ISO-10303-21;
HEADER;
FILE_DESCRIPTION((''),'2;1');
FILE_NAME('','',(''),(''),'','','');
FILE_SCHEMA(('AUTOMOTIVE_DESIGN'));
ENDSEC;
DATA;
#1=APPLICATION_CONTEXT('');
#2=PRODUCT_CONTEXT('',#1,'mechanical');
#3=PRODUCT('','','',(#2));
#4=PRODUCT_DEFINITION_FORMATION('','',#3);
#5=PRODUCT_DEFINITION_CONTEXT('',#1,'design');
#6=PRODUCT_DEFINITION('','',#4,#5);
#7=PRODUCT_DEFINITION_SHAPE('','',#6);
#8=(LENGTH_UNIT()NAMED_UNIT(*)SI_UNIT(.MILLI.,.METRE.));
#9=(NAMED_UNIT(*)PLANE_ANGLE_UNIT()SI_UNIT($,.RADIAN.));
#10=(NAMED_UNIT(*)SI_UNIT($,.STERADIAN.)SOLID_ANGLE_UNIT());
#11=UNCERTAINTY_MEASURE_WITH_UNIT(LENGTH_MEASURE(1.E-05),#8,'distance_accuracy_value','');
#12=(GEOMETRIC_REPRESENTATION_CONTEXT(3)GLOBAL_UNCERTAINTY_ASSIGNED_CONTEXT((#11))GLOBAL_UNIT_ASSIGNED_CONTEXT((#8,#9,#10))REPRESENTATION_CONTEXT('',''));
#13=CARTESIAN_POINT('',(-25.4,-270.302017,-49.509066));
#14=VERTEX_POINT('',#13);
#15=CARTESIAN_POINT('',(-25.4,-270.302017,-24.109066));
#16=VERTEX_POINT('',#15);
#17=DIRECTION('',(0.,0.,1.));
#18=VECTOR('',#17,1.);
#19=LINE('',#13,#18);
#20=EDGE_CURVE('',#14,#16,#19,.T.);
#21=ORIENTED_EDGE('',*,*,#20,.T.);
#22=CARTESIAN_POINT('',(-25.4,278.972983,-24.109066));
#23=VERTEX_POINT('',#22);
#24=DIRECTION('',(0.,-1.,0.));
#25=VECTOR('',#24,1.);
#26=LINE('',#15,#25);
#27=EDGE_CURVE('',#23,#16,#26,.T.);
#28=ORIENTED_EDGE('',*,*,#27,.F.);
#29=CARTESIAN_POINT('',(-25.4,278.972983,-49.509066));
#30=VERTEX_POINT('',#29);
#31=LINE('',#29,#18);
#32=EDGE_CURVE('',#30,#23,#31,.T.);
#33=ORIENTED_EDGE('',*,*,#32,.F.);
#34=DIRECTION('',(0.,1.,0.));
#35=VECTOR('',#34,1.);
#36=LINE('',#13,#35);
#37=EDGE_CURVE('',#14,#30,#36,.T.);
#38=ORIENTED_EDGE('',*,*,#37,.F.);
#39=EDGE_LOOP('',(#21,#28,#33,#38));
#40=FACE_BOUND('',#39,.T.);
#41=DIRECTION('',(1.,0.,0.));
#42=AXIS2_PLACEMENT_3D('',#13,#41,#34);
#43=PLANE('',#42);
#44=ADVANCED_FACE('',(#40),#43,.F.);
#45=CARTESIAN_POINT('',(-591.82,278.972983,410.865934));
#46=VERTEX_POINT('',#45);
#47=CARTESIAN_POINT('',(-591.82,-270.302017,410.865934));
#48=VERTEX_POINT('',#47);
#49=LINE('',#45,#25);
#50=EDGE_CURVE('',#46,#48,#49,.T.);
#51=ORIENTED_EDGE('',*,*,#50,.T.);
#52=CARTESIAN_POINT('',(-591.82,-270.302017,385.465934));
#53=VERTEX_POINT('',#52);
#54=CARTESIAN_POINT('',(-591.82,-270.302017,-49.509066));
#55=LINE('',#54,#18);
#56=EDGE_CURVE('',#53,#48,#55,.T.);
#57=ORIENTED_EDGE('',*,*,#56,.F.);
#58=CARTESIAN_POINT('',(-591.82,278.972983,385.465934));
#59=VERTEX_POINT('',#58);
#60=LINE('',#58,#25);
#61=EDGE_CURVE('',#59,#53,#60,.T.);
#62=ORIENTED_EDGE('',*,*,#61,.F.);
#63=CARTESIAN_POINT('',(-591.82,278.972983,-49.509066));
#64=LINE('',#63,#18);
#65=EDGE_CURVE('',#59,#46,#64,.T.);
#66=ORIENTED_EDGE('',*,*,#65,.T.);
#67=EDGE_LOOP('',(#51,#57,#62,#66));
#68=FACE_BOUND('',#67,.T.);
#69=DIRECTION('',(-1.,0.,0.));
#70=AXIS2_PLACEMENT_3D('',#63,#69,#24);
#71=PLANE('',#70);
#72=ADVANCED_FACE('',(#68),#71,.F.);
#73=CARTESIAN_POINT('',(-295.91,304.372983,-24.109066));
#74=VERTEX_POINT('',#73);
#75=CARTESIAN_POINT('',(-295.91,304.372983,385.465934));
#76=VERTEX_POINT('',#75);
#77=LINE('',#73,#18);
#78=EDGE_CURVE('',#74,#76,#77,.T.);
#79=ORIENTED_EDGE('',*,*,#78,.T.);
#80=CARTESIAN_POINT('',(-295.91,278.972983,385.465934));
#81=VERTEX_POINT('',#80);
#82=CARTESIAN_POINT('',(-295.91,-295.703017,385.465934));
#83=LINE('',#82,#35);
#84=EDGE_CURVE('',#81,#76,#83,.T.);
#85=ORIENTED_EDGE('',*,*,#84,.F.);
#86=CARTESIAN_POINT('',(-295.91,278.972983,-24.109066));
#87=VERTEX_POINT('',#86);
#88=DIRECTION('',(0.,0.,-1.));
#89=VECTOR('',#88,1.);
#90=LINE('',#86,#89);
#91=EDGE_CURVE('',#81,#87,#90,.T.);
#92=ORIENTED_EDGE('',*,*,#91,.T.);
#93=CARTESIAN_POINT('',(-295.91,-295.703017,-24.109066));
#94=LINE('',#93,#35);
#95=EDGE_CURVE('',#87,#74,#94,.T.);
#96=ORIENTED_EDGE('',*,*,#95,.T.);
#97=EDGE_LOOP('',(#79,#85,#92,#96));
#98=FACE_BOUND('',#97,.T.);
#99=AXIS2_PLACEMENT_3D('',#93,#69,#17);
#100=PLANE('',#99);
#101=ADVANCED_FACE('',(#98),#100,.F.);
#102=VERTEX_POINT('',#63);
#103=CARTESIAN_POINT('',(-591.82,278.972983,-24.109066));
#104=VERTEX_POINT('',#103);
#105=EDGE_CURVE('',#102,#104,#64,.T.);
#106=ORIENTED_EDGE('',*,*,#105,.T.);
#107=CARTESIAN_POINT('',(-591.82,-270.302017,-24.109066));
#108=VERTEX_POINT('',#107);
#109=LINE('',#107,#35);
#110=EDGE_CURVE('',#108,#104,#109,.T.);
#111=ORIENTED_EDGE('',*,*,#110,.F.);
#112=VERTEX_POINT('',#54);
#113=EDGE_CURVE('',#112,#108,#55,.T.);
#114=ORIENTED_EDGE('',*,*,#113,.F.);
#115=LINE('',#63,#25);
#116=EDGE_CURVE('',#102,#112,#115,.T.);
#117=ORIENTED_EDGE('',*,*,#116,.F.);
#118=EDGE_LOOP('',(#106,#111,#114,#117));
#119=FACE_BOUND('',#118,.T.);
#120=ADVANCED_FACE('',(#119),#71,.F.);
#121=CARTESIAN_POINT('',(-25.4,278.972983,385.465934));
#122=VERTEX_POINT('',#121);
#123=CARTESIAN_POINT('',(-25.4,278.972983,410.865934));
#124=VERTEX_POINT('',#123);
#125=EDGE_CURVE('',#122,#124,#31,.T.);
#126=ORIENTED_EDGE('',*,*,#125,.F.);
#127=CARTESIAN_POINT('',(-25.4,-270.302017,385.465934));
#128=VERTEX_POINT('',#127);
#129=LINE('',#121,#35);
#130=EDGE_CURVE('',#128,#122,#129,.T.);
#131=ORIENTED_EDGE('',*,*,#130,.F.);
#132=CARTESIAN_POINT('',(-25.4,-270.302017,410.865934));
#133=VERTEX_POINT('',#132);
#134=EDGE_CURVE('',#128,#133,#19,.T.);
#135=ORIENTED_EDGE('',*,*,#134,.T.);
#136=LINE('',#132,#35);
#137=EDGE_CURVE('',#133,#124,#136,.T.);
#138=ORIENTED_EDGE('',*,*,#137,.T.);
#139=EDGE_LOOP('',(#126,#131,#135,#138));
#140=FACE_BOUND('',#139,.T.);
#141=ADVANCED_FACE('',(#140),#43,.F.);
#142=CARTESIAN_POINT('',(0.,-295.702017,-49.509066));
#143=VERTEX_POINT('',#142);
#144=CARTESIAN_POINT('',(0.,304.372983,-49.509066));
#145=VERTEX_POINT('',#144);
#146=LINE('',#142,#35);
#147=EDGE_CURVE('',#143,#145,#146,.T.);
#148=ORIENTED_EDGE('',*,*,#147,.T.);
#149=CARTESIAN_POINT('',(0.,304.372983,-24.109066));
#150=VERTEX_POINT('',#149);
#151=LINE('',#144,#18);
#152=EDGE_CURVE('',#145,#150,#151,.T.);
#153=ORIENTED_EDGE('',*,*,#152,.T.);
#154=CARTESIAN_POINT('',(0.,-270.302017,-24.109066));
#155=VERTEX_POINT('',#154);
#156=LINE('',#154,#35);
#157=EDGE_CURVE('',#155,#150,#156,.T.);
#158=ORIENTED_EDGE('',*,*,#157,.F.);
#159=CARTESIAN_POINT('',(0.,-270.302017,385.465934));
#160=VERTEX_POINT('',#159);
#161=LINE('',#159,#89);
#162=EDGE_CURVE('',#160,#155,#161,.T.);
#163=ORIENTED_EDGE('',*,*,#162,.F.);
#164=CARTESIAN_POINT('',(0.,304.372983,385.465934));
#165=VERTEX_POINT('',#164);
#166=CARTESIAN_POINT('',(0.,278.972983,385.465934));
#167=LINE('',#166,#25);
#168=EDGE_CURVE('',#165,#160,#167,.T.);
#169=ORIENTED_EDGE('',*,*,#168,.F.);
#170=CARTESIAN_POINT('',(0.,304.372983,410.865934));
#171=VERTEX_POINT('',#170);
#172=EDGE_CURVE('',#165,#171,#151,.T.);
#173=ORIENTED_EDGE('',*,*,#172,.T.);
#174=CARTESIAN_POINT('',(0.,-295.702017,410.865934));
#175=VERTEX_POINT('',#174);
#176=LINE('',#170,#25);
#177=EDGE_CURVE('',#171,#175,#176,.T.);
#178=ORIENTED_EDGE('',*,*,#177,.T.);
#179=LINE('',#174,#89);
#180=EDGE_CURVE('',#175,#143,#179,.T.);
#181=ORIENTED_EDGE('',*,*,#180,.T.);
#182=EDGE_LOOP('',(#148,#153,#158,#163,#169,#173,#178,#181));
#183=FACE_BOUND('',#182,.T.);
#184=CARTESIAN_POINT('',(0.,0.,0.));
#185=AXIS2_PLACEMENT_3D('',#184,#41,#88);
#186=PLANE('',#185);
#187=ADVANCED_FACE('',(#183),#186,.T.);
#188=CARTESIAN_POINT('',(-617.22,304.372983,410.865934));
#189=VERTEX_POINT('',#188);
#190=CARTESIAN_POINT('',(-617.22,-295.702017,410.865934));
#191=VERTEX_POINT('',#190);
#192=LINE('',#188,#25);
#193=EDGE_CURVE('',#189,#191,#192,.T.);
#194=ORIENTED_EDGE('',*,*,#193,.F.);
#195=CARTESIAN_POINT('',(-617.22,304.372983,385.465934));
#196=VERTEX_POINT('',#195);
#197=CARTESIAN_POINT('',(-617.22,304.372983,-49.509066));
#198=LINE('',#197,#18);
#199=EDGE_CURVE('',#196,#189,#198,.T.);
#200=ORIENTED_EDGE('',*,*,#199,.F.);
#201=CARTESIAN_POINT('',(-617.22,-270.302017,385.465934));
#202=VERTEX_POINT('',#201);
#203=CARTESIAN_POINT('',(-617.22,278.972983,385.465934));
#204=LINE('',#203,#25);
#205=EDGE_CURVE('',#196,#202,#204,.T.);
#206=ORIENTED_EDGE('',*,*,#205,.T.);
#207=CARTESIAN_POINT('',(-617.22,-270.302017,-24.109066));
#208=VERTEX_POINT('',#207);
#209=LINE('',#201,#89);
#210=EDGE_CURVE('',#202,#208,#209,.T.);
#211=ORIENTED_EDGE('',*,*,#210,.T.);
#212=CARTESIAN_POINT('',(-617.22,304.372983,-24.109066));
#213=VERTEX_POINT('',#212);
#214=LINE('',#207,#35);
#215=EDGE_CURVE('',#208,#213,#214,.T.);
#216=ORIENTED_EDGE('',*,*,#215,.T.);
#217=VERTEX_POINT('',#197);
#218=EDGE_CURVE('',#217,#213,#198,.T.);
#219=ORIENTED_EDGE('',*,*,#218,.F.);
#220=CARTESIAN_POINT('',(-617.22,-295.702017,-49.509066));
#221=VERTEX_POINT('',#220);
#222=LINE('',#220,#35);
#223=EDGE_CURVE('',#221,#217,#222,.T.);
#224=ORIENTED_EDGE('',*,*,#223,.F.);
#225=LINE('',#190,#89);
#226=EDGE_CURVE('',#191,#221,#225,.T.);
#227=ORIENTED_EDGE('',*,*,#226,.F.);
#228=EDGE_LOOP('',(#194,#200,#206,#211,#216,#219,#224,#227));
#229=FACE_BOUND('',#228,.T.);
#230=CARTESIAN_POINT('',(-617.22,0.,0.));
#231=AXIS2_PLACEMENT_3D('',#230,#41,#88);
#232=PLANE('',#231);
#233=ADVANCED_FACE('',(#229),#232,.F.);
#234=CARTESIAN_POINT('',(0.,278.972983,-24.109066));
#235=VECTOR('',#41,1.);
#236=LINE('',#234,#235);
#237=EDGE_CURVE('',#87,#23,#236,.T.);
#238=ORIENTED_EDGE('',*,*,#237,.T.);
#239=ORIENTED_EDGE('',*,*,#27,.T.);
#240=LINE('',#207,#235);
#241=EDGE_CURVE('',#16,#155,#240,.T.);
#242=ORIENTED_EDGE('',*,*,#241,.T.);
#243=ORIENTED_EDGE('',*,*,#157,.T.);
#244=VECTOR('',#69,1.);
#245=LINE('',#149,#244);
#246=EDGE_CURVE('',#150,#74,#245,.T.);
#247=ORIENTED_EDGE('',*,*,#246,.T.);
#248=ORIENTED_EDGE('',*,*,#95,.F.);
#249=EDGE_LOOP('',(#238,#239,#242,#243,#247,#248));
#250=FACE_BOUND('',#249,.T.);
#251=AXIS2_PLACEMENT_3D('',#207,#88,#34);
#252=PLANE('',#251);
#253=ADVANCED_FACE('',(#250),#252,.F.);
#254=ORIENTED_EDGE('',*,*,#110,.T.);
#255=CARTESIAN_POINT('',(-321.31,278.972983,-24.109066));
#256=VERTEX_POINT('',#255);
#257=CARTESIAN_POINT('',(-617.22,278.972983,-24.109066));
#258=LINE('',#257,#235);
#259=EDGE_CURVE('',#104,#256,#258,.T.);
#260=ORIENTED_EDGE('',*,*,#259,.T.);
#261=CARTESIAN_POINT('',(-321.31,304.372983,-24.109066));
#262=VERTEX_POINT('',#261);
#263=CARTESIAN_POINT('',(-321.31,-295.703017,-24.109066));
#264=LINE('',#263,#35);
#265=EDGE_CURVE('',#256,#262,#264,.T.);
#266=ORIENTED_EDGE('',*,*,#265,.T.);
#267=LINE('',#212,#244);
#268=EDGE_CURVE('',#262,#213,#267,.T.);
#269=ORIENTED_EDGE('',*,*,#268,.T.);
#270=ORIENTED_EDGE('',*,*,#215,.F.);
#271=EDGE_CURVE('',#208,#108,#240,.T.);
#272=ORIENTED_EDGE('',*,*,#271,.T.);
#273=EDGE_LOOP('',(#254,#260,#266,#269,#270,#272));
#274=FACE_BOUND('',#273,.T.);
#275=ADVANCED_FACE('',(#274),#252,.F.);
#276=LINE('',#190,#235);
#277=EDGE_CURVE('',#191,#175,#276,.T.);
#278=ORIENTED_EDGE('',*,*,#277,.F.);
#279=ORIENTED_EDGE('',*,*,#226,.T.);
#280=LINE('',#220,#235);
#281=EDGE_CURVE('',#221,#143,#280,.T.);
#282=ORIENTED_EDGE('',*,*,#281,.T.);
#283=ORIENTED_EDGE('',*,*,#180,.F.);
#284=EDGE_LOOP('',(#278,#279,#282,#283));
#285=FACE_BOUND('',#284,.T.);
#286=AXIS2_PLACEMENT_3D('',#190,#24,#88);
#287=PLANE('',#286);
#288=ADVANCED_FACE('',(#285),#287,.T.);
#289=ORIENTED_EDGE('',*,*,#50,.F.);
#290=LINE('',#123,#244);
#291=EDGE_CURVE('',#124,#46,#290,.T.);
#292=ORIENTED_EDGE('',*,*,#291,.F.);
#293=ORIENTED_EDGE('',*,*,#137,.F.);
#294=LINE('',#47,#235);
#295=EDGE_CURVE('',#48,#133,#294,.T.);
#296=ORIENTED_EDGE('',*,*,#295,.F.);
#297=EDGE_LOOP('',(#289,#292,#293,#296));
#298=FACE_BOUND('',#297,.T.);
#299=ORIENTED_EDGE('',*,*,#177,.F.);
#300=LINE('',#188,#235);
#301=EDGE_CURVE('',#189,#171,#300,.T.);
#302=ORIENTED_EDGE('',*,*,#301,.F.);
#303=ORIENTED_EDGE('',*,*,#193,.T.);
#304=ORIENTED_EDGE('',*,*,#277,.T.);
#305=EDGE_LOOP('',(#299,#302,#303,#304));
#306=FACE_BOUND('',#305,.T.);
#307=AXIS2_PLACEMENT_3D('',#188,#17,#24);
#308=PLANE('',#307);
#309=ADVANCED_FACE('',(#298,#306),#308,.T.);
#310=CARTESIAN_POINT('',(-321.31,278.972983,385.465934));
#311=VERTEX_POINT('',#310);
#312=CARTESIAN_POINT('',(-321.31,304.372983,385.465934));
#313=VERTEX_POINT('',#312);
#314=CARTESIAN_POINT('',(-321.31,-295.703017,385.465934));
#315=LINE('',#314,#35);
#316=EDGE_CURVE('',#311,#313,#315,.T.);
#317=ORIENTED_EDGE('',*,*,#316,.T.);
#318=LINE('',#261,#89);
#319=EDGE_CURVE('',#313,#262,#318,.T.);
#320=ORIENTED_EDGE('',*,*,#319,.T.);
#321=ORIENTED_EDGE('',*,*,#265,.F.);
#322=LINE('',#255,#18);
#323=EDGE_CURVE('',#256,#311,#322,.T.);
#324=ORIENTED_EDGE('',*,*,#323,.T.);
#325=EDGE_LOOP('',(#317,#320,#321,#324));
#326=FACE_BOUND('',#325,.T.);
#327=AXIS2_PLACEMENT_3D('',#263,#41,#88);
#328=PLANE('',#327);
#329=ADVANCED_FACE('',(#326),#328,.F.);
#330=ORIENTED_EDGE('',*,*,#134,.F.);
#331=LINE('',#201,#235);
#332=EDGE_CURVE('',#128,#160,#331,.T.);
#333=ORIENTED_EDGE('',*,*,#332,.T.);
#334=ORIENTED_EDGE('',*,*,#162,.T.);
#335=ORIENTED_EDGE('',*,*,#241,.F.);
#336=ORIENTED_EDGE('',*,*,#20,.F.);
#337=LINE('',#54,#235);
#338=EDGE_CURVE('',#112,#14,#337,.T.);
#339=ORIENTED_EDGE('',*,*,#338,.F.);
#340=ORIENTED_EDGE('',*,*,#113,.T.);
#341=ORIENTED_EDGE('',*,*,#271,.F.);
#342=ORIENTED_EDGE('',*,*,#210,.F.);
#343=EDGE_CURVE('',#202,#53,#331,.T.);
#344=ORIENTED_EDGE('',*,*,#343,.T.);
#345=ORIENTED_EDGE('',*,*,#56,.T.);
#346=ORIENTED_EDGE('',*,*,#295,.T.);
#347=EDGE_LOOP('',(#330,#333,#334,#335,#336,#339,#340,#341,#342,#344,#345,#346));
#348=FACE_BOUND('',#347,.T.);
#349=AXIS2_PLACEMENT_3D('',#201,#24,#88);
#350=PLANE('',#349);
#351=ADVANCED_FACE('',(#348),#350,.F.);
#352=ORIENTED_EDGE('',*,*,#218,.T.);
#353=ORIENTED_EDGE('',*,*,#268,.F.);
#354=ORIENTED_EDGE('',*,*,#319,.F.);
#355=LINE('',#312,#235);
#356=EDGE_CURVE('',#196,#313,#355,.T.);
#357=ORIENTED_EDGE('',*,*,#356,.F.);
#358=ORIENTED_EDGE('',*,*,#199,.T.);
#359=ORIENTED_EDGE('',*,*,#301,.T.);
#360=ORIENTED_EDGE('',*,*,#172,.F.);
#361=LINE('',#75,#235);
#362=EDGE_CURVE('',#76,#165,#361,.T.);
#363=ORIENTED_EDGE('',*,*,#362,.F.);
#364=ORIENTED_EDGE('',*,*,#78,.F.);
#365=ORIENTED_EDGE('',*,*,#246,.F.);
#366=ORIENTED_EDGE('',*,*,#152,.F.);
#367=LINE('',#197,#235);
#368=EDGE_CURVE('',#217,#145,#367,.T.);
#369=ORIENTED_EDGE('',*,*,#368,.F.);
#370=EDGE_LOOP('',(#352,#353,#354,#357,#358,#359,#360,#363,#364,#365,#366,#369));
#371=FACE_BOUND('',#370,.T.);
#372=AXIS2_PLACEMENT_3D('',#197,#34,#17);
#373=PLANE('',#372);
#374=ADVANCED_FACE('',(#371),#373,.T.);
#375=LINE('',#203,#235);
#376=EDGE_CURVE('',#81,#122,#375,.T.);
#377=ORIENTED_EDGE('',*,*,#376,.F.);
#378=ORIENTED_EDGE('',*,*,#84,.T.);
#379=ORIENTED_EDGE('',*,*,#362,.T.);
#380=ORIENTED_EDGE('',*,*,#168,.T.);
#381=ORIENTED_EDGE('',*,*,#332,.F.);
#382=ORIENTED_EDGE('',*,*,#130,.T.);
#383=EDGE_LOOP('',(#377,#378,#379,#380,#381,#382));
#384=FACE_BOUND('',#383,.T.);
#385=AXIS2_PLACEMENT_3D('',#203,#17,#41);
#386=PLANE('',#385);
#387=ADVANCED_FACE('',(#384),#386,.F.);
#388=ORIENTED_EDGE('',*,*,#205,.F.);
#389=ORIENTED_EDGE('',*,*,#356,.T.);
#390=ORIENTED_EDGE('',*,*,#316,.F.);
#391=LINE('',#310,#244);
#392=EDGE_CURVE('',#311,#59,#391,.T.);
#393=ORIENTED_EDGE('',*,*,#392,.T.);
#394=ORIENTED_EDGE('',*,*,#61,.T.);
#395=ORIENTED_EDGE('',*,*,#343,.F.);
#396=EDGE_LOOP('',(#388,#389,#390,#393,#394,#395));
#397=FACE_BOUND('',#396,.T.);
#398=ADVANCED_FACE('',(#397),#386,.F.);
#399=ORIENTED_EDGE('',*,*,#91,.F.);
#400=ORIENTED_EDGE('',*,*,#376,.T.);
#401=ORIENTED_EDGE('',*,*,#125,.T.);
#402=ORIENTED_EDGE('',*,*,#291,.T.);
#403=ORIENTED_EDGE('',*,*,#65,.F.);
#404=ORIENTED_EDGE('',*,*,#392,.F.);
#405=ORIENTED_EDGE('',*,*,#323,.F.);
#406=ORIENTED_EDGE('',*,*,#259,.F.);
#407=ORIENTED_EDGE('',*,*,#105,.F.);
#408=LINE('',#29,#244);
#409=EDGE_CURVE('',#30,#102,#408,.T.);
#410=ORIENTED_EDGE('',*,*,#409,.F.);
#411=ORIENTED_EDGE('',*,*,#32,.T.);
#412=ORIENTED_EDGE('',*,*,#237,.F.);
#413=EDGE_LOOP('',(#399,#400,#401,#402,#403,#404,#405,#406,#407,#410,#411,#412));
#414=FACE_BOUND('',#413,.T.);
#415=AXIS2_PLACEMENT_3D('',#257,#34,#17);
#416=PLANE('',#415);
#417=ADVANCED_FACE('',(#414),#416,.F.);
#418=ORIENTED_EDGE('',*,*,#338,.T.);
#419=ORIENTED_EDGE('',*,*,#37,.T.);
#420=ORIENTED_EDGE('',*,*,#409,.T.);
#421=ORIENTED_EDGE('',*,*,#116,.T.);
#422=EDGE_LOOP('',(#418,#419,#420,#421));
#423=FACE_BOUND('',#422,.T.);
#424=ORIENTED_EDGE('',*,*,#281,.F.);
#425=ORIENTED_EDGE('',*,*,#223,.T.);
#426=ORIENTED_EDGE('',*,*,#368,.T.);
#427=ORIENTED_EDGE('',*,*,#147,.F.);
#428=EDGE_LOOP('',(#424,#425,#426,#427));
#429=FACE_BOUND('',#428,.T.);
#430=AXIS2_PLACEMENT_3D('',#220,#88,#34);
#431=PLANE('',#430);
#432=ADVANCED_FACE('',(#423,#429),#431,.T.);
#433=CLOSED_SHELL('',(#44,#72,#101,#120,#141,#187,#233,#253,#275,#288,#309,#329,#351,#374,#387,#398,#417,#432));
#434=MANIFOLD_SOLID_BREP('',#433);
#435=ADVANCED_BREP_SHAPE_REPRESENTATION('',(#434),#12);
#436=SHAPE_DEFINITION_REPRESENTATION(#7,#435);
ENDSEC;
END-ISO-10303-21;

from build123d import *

# Parameters (mm, degrees)
SKETCH1_W           = 460.375
SKETCH1_H           = 600.075
SKETCH1_W_2         = 409.575
SKETCH1_H_2         = 549.275
BOSS_EXTRUDE1_DEPTH = 617.22
SKETCH3_W           = 566.42
SKETCH3_H           = 549.275
CUT_EXTRUDE1_DEPTH  = 828.978611889
CUT_EXTRUDE2_REACH  = 955.867
SKETCH4_W           = 295.91
SKETCH4_H           = 409.575


with BuildPart() as part:
    # Sketch1 → Boss-Extrude1 (new body)
    with BuildSketch(Plane(origin=(0, 0, 0), x_dir=(0, 0, -1), z_dir=(1, 0, 0))):
        with Locations((-180.678434066, 4.335482901)):
            Rectangle(SKETCH1_W, SKETCH1_H)
        with Locations((-180.678434066, 4.335482901)):
            Rectangle(SKETCH1_W_2, SKETCH1_H_2, mode=Mode.SUBTRACT)
    extrude(amount=-BOSS_EXTRUDE1_DEPTH)

    # Sketch3 → Cut-Extrude1 (cut, through all)
    with BuildSketch(Plane.XY.offset(410.865934066)):
        with Locations((-308.61, 4.335482901)):
            Rectangle(SKETCH3_W, SKETCH3_H)
    extrude(amount=-CUT_EXTRUDE1_DEPTH, mode=Mode.SUBTRACT)

    # Sketch4 → Cut-Extrude2 (cut, up to next)
    with BuildSketch(Plane(origin=(0, 304.372982901, 0), x_dir=(1, 0, 0), z_dir=(0, 1, 0)), mode=Mode.PRIVATE) as cut_extrude2_sk1:
        with Locations((-469.265, -180.678434066)):
            Rectangle(SKETCH4_W, SKETCH4_H)
    cut_extrude2_tool1 = extrude(cut_extrude2_sk1.sketch, amount=-CUT_EXTRUDE2_REACH, mode=Mode.PRIVATE) & part.part
    # Sketch4 → Cut-Extrude2 (cut, up to next)
    with BuildSketch(Plane(origin=(0, 304.372982901, 0), x_dir=(1, 0, 0), z_dir=(0, 1, 0)), mode=Mode.PRIVATE) as cut_extrude2_sk2:
        with Locations((-147.955, -180.678434066)):
            Rectangle(SKETCH4_W, SKETCH4_H)
    cut_extrude2_tool2 = extrude(cut_extrude2_sk2.sketch, amount=-CUT_EXTRUDE2_REACH, mode=Mode.PRIVATE) & part.part
    add(cut_extrude2_tool1.solids().sort_by_distance((-469.265, 304.372983, 180.678434))[0], mode=Mode.SUBTRACT)
    add(cut_extrude2_tool2.solids().sort_by_distance((-147.955, 304.372983, 180.678434))[0], mode=Mode.SUBTRACT)


solid = part.part
